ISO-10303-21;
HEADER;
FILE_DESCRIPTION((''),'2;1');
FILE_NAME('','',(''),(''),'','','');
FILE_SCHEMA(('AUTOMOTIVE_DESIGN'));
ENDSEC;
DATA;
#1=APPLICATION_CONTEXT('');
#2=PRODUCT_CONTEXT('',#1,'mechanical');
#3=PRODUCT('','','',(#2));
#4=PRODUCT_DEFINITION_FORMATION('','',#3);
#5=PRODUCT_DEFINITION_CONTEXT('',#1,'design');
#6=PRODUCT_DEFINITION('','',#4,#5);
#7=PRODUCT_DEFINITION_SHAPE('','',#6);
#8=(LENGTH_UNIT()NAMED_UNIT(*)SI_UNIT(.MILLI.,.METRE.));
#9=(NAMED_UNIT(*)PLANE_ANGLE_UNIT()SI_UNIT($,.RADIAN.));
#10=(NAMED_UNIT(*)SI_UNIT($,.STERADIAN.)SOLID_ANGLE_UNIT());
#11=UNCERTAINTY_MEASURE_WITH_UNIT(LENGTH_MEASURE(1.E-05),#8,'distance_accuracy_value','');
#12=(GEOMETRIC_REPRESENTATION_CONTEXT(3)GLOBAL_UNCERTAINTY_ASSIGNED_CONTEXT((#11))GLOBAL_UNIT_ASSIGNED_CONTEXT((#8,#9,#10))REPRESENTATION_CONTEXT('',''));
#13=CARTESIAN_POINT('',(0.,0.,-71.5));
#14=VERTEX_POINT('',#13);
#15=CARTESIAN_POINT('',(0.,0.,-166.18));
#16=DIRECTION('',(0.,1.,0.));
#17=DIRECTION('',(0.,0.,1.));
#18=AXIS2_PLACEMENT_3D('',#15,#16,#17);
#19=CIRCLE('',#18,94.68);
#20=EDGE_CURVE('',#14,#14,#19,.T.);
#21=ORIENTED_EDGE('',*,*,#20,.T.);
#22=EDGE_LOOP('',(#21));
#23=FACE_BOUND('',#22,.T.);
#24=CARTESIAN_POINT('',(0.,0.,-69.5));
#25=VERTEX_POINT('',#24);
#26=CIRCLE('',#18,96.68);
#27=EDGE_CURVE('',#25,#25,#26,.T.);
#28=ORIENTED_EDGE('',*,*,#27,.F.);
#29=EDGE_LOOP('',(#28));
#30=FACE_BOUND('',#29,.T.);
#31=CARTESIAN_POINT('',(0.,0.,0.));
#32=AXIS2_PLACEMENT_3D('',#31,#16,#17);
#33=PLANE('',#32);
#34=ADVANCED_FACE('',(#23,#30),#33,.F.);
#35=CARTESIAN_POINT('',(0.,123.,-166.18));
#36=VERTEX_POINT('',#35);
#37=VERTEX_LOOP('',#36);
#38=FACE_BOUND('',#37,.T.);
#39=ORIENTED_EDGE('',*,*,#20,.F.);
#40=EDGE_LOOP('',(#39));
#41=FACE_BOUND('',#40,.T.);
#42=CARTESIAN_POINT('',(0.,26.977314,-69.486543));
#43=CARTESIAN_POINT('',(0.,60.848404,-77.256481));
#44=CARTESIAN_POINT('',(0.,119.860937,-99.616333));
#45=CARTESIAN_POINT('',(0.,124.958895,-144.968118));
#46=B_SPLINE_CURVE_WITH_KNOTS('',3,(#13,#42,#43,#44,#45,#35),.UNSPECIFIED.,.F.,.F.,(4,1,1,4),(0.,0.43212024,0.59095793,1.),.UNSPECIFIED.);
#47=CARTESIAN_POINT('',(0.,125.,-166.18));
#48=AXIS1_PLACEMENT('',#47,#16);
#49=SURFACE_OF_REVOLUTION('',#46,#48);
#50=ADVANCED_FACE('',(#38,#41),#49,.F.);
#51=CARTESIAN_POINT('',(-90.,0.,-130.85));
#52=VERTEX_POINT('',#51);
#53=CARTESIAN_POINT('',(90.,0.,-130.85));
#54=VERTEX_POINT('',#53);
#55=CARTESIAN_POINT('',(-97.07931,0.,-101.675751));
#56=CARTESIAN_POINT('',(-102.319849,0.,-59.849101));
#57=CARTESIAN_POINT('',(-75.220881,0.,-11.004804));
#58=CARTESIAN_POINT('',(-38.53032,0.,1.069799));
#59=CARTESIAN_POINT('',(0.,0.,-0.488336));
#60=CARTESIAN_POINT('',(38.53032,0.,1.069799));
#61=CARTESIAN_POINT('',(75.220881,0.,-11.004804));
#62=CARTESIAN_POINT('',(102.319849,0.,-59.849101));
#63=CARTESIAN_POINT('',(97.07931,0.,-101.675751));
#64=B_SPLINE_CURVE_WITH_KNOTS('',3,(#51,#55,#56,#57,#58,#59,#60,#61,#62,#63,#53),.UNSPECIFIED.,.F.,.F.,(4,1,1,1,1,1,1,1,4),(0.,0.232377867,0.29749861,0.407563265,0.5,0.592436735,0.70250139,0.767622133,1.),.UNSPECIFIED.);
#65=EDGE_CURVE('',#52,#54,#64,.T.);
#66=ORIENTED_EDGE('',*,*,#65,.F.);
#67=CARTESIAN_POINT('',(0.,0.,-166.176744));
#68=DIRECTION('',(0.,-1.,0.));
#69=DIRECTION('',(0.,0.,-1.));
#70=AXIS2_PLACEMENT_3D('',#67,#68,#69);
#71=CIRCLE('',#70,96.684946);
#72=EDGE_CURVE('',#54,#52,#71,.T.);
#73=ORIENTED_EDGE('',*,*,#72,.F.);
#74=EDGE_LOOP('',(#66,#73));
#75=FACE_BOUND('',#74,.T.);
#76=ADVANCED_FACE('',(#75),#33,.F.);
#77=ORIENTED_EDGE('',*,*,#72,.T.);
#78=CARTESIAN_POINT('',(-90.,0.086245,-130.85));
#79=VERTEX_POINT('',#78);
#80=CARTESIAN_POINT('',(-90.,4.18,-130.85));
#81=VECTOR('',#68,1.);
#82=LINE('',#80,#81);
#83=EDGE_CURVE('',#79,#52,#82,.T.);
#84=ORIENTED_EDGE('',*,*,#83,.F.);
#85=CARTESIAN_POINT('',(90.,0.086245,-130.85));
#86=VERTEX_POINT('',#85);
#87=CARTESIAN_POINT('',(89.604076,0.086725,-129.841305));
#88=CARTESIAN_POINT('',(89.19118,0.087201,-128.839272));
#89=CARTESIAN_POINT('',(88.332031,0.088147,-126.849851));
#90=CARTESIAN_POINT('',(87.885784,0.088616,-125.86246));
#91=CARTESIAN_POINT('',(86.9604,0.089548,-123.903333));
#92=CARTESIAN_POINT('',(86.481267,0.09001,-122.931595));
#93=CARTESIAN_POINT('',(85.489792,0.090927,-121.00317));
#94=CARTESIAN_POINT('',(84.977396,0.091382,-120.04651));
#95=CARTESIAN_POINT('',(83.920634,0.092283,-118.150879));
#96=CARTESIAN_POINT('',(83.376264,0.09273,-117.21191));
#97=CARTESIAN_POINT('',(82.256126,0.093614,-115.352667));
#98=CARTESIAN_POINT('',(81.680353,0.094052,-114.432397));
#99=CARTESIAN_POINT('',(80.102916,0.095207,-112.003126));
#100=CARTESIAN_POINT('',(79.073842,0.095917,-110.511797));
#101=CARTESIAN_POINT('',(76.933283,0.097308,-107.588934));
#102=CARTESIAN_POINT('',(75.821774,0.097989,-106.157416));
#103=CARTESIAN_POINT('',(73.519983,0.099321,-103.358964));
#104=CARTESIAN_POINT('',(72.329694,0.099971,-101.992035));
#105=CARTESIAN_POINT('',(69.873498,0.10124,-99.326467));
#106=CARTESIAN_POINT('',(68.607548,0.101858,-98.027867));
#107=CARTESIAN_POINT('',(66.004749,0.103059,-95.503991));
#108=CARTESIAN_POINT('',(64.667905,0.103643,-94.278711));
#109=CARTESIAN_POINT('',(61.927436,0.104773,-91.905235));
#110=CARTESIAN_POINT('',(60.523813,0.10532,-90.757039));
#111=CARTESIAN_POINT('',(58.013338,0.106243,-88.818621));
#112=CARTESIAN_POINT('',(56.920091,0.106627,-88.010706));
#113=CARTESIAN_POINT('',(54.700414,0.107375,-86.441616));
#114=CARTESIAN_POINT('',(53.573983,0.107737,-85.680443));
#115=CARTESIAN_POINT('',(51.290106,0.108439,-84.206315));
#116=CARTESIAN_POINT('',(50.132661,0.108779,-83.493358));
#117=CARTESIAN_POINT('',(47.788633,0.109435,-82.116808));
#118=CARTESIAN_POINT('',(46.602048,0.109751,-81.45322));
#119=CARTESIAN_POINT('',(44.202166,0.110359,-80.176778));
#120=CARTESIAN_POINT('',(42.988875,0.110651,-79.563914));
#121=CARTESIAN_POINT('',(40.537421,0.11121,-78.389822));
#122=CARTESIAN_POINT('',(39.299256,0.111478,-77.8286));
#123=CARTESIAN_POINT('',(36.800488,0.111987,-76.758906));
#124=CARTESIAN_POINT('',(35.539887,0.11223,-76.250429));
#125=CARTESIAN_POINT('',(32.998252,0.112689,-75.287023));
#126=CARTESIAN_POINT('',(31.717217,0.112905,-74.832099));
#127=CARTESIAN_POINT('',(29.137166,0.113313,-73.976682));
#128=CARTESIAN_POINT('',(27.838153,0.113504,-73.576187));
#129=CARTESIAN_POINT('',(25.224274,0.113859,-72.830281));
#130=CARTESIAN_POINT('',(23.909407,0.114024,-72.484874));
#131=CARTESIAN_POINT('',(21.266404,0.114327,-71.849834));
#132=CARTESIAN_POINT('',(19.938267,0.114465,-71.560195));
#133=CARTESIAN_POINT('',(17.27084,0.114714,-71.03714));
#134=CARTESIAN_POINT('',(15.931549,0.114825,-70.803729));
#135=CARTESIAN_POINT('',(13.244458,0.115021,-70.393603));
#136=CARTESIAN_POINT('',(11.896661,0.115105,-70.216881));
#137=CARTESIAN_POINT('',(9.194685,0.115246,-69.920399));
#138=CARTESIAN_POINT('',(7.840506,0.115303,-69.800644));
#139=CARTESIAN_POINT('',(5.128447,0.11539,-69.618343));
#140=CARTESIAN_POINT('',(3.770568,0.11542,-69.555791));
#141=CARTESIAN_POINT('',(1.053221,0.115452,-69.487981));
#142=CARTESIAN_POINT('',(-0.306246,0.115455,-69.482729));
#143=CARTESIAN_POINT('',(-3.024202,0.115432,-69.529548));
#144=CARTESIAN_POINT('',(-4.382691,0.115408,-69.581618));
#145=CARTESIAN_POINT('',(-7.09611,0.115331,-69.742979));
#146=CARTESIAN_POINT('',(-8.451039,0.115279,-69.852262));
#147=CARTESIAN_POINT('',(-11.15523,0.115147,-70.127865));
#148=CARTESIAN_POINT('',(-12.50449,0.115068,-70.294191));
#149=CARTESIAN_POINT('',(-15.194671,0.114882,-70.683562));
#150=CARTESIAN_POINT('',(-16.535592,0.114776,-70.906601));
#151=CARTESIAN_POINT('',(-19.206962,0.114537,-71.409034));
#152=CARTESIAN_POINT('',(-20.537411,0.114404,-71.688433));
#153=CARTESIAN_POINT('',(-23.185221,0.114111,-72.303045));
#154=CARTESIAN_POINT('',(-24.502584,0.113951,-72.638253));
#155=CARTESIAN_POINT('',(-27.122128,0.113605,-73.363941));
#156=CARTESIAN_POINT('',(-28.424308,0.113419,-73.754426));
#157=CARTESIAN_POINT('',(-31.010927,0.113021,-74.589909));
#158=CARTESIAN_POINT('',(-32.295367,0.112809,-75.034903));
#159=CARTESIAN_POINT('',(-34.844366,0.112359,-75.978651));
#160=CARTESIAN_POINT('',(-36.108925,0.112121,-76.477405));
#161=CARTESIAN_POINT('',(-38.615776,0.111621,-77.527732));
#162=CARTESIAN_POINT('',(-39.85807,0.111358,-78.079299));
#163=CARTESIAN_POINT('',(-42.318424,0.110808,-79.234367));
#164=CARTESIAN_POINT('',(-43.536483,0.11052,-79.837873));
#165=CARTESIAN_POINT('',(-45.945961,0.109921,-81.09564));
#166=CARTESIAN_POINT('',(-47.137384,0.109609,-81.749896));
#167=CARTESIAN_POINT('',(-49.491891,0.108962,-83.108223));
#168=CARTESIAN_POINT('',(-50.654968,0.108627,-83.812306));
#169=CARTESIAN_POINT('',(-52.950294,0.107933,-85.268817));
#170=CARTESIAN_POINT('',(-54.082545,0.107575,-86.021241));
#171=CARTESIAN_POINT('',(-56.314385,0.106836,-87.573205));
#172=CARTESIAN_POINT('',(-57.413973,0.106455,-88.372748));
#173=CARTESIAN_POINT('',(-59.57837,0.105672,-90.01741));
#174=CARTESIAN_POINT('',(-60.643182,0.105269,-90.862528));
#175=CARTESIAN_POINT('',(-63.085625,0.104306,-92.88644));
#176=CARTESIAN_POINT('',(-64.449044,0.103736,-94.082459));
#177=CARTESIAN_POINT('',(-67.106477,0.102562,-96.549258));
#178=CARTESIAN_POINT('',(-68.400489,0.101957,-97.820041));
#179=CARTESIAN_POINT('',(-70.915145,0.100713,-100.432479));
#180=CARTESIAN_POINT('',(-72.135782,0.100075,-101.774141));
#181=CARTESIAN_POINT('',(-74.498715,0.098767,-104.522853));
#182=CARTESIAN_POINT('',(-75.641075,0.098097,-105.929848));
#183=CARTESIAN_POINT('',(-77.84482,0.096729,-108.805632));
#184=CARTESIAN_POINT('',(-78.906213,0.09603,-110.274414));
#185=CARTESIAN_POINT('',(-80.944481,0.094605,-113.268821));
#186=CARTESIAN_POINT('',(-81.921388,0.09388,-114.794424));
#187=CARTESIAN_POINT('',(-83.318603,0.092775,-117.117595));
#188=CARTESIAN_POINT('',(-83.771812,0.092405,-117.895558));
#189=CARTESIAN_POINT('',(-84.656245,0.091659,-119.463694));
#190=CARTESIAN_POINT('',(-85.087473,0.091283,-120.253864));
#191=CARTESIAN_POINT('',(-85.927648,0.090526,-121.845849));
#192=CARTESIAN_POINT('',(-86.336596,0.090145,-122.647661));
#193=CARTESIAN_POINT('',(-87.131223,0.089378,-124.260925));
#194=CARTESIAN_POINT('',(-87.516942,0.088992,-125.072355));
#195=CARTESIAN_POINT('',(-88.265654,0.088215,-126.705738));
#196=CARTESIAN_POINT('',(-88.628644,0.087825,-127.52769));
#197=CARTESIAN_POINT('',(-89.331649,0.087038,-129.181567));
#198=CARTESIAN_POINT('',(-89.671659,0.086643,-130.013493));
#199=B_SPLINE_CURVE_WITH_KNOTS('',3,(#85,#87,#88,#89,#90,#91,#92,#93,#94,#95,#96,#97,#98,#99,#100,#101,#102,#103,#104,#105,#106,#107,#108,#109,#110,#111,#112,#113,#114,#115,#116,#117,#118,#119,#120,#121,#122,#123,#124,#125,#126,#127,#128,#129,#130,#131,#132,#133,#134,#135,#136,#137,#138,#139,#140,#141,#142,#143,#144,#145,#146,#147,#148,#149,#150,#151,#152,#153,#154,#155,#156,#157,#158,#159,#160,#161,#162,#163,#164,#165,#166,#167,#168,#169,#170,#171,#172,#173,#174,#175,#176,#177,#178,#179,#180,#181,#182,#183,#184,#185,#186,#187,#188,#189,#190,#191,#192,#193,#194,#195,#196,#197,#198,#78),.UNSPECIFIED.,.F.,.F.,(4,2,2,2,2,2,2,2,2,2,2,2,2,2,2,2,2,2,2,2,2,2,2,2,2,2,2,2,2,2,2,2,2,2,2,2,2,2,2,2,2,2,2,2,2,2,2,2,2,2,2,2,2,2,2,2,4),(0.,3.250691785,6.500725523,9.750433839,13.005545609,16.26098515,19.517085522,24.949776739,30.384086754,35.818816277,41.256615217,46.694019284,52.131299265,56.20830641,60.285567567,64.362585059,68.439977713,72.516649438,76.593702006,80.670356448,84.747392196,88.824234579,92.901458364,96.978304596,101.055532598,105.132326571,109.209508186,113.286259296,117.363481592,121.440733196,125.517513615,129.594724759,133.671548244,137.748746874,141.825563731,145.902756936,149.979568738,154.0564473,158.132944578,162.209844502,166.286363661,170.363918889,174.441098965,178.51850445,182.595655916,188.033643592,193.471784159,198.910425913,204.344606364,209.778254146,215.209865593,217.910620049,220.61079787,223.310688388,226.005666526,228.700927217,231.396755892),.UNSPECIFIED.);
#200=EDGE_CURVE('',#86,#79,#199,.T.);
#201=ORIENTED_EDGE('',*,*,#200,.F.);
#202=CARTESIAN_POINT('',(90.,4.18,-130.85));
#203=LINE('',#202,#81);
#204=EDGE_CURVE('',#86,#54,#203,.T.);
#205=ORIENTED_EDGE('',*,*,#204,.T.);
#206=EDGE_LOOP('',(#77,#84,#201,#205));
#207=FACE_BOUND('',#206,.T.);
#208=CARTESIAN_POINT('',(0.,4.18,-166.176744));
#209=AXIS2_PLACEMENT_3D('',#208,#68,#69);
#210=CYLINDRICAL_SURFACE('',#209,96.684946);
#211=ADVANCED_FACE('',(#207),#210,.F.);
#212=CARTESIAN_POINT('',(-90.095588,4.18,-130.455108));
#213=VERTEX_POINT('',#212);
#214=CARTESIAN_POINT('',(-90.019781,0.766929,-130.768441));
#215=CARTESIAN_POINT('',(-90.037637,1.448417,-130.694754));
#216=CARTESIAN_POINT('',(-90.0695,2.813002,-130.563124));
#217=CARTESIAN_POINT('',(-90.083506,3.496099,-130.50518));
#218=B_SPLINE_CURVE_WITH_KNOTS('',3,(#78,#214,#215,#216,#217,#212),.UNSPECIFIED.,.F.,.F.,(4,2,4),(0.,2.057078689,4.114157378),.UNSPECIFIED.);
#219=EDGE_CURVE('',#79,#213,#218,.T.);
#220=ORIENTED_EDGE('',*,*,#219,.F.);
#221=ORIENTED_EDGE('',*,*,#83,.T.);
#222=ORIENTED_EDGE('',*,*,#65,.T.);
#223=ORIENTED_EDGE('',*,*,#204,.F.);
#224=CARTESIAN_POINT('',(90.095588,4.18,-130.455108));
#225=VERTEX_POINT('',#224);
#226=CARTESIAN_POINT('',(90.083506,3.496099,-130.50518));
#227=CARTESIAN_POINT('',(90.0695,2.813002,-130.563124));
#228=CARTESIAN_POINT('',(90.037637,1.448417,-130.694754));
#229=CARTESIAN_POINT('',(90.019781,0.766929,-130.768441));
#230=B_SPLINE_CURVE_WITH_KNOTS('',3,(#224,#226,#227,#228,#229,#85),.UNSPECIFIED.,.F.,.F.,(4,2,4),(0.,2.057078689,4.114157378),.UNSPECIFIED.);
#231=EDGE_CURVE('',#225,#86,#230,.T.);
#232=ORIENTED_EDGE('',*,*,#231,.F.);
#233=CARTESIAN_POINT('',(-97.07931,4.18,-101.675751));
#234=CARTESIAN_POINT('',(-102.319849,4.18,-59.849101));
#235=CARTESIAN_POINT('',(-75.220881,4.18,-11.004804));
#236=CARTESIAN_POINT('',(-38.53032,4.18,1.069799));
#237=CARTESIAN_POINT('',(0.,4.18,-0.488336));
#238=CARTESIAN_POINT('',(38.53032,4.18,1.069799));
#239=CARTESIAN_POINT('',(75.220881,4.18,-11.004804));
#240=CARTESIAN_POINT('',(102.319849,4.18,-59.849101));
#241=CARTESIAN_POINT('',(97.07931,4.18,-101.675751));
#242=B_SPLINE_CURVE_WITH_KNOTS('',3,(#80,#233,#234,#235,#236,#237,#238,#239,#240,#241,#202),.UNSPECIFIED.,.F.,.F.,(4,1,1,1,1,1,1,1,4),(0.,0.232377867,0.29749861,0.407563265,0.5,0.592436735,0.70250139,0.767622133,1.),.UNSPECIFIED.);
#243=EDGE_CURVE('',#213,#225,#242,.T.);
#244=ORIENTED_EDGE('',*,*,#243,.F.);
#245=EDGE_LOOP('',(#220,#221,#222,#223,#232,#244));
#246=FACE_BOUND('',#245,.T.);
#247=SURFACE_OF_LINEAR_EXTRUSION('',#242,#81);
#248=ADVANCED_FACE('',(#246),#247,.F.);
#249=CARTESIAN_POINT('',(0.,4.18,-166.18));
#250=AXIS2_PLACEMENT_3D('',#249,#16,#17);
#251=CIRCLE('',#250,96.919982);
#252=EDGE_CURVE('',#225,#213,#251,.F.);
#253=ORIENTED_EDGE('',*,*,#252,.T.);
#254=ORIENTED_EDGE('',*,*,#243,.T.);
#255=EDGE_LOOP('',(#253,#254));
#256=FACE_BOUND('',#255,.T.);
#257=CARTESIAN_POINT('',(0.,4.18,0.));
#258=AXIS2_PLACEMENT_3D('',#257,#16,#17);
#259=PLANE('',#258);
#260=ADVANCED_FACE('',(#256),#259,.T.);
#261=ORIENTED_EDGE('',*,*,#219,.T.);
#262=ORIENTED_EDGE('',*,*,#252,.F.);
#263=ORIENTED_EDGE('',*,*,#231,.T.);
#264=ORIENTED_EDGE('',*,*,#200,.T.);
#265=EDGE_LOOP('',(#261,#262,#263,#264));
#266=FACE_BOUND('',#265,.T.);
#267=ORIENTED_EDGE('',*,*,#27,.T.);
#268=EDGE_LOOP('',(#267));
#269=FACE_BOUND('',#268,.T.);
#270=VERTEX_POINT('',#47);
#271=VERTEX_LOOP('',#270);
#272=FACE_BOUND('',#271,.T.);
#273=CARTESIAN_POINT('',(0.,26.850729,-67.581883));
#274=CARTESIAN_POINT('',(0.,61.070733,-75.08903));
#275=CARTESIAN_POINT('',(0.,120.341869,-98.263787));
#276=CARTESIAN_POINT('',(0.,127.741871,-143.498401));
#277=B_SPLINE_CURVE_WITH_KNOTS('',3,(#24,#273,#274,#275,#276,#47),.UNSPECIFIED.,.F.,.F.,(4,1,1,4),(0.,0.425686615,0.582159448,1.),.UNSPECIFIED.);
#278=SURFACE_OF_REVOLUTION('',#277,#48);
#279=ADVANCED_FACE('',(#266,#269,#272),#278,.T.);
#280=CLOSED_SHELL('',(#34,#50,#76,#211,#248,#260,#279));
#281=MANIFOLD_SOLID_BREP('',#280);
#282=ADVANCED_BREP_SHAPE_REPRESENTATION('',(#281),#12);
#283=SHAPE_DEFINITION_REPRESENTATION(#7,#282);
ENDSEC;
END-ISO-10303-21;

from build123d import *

# Parameters (mm, degrees)
BOSS_EXTRUDE3_DEPTH = 4.18


with BuildPart() as part:
    # Sketch7 → Boss-Extrude3 (new body)
    with BuildSketch(Plane(origin=(0, 0, 0), x_dir=(1, 0, 0), z_dir=(0, 1, 0))):
        with BuildLine():
            ThreePointArc((90, 130.85), (0, 69.491797485), (-90, 130.85))
            add(Edge.make_bspline(
                [(90, 130.85), (97.079309669, 101.675750549), (102.319849387, 59.849101433), (75.220880882, 11.004804432), (38.530319517, -1.069799314), (0, 0.48833618), (-38.530319517, -1.069799314), (-75.220880882, 11.004804432), (-102.319849387, 59.849101433), (-97.079309669, 101.675750549), (-90, 130.85)],
                knots=[0, 0, 0, 0, 0.232377867, 0.29749861, 0.407563265, 0.5, 0.592436735, 0.70250139, 0.767622133, 1, 1, 1, 1], degree=3))
        make_face()
    extrude(amount=BOSS_EXTRUDE3_DEPTH)

    # Sketch9 → Revolve2 (revolve)
    with BuildSketch(Plane(origin=(0, 0, 0), x_dir=(0, 0, -1), z_dir=(1, 0, 0))):
        with BuildLine():
            Line((166.18, 123), (166.18, 125))
            add(Edge.make_bspline(
                [(69.5, 0), (67.581883296, 26.850728663), (75.089030326, 61.070732906), (98.263786833, 120.341869465), (143.498400828, 127.741871184), (166.18, 125)],
                knots=[0, 0, 0, 0, 0.425686615, 0.582159448, 1, 1, 1, 1], degree=3))
            Line((69.5, 0), (71.5, 0))
            add(Edge.make_bspline(
                [(71.5, 0), (69.486543186, 26.977314441), (77.256481199, 60.848403614), (99.616333352, 119.860936938), (144.968117819, 124.95889538), (166.18, 123)],
                knots=[0, 0, 0, 0, 0.43212024, 0.59095793, 1, 1, 1, 1], degree=3))
        make_face()
    revolve(axis=Axis((0, 125, -166.18), (0, -1, 0)))


solid = part.part
